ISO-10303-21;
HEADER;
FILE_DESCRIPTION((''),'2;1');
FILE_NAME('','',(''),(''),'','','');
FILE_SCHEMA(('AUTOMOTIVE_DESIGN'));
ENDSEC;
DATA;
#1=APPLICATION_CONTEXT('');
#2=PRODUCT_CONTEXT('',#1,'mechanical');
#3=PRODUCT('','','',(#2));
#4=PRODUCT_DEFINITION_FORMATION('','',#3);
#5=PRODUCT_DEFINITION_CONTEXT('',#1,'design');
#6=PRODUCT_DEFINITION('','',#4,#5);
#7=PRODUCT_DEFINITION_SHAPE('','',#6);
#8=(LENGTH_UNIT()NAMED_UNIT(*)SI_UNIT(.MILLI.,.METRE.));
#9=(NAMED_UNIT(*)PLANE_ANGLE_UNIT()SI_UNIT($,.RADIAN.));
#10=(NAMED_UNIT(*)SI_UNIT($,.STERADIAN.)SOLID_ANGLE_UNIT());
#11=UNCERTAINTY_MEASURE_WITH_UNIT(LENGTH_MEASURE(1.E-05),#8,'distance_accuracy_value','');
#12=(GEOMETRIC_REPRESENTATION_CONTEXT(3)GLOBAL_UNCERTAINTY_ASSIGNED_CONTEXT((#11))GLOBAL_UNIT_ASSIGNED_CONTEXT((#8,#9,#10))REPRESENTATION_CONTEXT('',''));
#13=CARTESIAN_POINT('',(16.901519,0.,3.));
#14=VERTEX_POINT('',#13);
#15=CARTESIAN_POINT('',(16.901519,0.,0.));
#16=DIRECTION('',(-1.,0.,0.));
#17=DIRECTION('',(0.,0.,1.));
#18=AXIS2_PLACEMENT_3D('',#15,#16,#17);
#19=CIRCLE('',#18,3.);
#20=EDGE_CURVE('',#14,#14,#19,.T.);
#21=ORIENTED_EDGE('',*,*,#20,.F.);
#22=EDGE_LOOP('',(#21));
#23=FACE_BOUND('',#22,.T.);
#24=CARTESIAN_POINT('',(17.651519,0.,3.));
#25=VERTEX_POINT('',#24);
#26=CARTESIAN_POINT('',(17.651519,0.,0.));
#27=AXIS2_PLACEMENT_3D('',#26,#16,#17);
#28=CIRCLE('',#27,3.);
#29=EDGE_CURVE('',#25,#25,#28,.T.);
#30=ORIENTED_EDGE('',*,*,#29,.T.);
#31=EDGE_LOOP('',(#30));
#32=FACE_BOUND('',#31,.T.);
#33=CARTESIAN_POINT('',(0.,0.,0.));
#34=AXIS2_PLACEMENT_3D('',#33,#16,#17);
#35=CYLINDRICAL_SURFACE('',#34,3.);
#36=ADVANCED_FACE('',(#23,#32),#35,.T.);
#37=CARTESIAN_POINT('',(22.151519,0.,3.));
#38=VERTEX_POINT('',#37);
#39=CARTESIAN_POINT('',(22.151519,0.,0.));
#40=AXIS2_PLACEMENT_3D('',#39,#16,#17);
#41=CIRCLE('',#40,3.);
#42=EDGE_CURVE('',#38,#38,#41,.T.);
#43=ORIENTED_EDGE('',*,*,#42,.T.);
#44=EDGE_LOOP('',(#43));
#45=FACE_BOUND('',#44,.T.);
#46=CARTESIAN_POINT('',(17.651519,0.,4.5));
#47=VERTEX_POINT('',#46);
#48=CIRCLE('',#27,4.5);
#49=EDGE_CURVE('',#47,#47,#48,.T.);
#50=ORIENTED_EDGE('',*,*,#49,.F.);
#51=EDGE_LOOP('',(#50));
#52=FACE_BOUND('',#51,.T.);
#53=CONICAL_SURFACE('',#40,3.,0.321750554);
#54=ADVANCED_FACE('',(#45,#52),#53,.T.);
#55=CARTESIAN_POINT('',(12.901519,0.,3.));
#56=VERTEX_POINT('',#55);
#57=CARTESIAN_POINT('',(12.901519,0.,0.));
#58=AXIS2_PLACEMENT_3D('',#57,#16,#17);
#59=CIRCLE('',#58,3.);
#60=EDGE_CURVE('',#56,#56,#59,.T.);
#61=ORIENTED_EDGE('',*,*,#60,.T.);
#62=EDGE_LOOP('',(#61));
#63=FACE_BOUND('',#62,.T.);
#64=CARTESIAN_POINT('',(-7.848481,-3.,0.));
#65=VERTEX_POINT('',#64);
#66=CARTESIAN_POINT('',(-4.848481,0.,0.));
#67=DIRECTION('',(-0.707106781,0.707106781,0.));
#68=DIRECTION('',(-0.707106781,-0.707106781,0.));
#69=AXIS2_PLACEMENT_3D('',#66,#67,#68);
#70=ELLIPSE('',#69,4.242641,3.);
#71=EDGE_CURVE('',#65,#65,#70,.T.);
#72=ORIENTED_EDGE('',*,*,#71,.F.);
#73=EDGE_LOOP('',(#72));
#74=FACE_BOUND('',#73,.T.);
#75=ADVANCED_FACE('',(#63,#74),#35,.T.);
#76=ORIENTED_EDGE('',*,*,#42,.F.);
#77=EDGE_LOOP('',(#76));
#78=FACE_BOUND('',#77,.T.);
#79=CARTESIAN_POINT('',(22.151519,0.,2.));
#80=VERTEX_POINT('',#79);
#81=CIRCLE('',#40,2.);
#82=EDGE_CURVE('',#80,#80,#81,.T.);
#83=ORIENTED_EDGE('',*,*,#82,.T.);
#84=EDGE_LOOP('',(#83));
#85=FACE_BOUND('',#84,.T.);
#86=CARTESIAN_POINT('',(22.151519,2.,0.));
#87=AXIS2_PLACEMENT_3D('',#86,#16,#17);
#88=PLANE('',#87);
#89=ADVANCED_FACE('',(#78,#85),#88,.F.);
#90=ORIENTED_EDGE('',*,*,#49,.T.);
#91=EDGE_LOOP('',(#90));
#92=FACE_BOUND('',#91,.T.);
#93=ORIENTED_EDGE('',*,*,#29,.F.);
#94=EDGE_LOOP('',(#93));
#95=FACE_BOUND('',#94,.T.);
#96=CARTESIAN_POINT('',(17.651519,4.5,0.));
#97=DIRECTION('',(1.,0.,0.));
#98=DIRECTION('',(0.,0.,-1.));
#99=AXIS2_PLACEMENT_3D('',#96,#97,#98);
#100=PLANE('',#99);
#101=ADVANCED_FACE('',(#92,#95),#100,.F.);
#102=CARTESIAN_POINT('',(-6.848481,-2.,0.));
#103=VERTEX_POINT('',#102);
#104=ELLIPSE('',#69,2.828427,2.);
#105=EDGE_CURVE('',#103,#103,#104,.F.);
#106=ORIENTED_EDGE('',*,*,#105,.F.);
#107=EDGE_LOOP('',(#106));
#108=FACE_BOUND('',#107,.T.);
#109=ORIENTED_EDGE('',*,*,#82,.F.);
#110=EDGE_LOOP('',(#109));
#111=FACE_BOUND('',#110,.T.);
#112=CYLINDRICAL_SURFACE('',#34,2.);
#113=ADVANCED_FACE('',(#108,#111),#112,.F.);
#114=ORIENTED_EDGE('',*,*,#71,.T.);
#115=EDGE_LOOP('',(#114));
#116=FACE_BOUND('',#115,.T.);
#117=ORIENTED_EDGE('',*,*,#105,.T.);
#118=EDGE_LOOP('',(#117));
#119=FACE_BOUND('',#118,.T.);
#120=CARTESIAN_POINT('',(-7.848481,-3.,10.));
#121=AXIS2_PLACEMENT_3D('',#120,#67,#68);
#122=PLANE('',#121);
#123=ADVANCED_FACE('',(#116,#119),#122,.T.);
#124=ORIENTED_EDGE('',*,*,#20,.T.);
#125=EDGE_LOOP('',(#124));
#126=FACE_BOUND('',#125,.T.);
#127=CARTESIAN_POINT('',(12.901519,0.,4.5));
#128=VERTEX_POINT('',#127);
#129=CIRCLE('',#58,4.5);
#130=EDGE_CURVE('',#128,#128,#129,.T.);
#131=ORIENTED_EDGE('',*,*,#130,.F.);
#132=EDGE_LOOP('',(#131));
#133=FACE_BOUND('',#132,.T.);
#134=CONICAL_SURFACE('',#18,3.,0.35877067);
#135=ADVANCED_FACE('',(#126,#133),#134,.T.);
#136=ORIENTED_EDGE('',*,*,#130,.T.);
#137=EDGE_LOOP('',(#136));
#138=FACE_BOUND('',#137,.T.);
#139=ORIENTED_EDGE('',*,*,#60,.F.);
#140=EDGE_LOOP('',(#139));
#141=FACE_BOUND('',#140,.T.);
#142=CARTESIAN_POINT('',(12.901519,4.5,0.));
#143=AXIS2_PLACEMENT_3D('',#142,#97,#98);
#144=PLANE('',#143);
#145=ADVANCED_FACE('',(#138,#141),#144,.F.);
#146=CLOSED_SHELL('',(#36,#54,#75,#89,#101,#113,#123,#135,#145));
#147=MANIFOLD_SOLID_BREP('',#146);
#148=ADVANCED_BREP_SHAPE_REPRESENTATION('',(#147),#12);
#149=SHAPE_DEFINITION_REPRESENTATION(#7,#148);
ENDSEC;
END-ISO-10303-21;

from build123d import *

# Parameters (mm, degrees)
CUT_EXTRUDE1_DEPTH      = 10
CUT_EXTRUDE1_DEPTH_BACK = 10


with BuildPart() as part:
    # Sketch1 → Revolve1 (revolve)
    with BuildSketch(Plane.XY):
        Polygon((22.151518872, 3), (17.651518872, 4.5), (17.651518872, 3), (16.901518872, 3), (12.901518872, 4.5), (12.901518872, 3), (-7.848481128, 3), (-7.848481128, 2), (22.151518872, 2), align=None)
    revolve(axis=Axis((0, 0, 0), (1, 0, 0)))

    # Sketch2 → Cut-Extrude1 (cut, two sides: drawn at the far end of the back side and taken through both)
    with BuildSketch(Plane.XY.offset(-CUT_EXTRUDE1_DEPTH_BACK)):
        Polygon((-7.848481128, -3), (-1.848481128, 3), (-7.848481128, 3), align=None)
    extrude(amount=CUT_EXTRUDE1_DEPTH + CUT_EXTRUDE1_DEPTH_BACK, mode=Mode.SUBTRACT)


solid = part.part
